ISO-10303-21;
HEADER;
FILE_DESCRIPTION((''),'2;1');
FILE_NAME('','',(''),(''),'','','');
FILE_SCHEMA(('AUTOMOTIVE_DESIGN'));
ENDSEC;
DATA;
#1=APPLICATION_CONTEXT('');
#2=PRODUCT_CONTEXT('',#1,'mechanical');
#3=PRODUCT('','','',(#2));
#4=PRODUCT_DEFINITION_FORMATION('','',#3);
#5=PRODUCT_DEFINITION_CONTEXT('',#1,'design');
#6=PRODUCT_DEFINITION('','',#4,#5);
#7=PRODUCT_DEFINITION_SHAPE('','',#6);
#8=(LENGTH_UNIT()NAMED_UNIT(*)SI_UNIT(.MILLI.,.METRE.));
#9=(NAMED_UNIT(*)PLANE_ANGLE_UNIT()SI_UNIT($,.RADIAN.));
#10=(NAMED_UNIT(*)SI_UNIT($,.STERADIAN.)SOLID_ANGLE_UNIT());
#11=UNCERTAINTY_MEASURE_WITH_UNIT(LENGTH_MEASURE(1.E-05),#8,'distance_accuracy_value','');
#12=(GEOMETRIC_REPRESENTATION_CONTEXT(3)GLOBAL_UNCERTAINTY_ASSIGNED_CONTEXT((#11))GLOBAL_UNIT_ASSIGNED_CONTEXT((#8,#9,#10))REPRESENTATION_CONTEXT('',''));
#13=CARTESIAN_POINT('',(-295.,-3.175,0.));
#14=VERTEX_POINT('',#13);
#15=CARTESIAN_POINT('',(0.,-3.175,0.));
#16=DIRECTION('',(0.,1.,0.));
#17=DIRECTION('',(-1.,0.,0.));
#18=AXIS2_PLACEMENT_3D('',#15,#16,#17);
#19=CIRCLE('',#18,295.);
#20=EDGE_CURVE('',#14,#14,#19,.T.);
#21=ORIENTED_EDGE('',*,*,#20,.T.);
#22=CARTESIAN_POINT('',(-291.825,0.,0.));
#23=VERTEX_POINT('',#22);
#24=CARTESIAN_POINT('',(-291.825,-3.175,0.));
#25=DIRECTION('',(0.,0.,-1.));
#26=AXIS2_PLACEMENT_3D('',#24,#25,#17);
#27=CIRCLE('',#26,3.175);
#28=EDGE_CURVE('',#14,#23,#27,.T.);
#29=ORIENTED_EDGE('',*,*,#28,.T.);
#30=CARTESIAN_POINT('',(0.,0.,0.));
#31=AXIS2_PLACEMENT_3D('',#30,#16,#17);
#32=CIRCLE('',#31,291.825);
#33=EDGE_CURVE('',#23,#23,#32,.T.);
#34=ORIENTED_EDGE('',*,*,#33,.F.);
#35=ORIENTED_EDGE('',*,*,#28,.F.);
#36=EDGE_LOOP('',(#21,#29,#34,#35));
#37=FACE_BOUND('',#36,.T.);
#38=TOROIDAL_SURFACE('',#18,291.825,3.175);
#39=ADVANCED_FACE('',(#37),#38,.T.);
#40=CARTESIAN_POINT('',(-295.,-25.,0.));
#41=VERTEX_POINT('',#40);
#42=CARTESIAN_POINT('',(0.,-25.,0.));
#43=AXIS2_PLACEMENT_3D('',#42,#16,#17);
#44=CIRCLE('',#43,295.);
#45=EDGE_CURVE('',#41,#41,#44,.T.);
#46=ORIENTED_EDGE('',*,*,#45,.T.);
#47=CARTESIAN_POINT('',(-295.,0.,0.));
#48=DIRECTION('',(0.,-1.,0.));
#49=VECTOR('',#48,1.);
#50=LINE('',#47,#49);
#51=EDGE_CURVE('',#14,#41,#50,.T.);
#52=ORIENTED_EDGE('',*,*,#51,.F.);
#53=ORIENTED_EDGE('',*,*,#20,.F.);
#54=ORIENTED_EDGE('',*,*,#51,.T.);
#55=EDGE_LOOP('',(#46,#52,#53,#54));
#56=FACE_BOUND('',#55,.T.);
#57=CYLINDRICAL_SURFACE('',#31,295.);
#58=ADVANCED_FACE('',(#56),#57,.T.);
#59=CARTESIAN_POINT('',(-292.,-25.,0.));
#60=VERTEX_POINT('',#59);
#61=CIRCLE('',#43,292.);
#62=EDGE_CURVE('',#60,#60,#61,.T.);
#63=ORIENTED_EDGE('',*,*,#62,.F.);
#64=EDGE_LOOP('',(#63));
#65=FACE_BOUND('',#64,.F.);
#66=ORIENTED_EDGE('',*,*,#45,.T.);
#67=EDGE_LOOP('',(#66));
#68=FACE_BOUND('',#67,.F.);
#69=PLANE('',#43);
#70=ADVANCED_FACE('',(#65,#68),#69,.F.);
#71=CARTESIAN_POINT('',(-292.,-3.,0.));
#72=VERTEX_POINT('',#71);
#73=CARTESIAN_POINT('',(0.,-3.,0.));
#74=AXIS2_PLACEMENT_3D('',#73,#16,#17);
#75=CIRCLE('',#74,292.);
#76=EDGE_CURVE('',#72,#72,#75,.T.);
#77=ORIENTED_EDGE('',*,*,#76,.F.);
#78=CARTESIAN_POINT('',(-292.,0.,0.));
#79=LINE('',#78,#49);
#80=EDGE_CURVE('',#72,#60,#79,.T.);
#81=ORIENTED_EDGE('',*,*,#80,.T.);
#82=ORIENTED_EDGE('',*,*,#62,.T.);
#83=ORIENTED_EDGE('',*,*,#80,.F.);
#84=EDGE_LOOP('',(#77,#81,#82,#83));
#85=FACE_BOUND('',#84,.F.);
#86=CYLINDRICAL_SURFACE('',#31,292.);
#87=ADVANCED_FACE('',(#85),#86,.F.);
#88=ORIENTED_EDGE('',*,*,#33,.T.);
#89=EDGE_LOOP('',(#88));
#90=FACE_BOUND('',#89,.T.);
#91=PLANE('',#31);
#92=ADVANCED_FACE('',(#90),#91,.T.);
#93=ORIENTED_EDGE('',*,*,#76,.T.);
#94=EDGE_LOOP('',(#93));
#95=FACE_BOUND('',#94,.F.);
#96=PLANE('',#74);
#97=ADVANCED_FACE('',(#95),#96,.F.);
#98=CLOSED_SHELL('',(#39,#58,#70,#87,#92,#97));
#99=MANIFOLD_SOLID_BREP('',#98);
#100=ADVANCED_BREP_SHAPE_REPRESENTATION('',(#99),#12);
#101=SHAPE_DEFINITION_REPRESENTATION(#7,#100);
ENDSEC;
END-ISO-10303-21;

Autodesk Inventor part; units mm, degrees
ref_plane "YZ Plane" through (0, 0, 0) normal (1, 0, 0) x (0, 1, 0)
ref_plane "XZ Plane" through (0, 0, 0) normal (0, 1, 0) x (-1, 0, 0)
ref_plane "XY Plane" through (0, 0, 0) normal (0, 0, 1) x (1, 0, 0)
sketch "Sketch1" plane through (0, 0, 0) normal (0, 1, 0) x (-1, 0, 0)
  circle A0 centre (0, 0) radius 295
  dimension "d0" = 590
extrude "Extrusion1" add sketch "Sketch1" against normal blind 25
shell "Shell1" thickness 3 removed faces 1 at (-85.1519, -25, 3.4761)
fillet "Fillet1" radius 3.175 1 edges at (295, 0, 0)
properties part number "still_cover"
